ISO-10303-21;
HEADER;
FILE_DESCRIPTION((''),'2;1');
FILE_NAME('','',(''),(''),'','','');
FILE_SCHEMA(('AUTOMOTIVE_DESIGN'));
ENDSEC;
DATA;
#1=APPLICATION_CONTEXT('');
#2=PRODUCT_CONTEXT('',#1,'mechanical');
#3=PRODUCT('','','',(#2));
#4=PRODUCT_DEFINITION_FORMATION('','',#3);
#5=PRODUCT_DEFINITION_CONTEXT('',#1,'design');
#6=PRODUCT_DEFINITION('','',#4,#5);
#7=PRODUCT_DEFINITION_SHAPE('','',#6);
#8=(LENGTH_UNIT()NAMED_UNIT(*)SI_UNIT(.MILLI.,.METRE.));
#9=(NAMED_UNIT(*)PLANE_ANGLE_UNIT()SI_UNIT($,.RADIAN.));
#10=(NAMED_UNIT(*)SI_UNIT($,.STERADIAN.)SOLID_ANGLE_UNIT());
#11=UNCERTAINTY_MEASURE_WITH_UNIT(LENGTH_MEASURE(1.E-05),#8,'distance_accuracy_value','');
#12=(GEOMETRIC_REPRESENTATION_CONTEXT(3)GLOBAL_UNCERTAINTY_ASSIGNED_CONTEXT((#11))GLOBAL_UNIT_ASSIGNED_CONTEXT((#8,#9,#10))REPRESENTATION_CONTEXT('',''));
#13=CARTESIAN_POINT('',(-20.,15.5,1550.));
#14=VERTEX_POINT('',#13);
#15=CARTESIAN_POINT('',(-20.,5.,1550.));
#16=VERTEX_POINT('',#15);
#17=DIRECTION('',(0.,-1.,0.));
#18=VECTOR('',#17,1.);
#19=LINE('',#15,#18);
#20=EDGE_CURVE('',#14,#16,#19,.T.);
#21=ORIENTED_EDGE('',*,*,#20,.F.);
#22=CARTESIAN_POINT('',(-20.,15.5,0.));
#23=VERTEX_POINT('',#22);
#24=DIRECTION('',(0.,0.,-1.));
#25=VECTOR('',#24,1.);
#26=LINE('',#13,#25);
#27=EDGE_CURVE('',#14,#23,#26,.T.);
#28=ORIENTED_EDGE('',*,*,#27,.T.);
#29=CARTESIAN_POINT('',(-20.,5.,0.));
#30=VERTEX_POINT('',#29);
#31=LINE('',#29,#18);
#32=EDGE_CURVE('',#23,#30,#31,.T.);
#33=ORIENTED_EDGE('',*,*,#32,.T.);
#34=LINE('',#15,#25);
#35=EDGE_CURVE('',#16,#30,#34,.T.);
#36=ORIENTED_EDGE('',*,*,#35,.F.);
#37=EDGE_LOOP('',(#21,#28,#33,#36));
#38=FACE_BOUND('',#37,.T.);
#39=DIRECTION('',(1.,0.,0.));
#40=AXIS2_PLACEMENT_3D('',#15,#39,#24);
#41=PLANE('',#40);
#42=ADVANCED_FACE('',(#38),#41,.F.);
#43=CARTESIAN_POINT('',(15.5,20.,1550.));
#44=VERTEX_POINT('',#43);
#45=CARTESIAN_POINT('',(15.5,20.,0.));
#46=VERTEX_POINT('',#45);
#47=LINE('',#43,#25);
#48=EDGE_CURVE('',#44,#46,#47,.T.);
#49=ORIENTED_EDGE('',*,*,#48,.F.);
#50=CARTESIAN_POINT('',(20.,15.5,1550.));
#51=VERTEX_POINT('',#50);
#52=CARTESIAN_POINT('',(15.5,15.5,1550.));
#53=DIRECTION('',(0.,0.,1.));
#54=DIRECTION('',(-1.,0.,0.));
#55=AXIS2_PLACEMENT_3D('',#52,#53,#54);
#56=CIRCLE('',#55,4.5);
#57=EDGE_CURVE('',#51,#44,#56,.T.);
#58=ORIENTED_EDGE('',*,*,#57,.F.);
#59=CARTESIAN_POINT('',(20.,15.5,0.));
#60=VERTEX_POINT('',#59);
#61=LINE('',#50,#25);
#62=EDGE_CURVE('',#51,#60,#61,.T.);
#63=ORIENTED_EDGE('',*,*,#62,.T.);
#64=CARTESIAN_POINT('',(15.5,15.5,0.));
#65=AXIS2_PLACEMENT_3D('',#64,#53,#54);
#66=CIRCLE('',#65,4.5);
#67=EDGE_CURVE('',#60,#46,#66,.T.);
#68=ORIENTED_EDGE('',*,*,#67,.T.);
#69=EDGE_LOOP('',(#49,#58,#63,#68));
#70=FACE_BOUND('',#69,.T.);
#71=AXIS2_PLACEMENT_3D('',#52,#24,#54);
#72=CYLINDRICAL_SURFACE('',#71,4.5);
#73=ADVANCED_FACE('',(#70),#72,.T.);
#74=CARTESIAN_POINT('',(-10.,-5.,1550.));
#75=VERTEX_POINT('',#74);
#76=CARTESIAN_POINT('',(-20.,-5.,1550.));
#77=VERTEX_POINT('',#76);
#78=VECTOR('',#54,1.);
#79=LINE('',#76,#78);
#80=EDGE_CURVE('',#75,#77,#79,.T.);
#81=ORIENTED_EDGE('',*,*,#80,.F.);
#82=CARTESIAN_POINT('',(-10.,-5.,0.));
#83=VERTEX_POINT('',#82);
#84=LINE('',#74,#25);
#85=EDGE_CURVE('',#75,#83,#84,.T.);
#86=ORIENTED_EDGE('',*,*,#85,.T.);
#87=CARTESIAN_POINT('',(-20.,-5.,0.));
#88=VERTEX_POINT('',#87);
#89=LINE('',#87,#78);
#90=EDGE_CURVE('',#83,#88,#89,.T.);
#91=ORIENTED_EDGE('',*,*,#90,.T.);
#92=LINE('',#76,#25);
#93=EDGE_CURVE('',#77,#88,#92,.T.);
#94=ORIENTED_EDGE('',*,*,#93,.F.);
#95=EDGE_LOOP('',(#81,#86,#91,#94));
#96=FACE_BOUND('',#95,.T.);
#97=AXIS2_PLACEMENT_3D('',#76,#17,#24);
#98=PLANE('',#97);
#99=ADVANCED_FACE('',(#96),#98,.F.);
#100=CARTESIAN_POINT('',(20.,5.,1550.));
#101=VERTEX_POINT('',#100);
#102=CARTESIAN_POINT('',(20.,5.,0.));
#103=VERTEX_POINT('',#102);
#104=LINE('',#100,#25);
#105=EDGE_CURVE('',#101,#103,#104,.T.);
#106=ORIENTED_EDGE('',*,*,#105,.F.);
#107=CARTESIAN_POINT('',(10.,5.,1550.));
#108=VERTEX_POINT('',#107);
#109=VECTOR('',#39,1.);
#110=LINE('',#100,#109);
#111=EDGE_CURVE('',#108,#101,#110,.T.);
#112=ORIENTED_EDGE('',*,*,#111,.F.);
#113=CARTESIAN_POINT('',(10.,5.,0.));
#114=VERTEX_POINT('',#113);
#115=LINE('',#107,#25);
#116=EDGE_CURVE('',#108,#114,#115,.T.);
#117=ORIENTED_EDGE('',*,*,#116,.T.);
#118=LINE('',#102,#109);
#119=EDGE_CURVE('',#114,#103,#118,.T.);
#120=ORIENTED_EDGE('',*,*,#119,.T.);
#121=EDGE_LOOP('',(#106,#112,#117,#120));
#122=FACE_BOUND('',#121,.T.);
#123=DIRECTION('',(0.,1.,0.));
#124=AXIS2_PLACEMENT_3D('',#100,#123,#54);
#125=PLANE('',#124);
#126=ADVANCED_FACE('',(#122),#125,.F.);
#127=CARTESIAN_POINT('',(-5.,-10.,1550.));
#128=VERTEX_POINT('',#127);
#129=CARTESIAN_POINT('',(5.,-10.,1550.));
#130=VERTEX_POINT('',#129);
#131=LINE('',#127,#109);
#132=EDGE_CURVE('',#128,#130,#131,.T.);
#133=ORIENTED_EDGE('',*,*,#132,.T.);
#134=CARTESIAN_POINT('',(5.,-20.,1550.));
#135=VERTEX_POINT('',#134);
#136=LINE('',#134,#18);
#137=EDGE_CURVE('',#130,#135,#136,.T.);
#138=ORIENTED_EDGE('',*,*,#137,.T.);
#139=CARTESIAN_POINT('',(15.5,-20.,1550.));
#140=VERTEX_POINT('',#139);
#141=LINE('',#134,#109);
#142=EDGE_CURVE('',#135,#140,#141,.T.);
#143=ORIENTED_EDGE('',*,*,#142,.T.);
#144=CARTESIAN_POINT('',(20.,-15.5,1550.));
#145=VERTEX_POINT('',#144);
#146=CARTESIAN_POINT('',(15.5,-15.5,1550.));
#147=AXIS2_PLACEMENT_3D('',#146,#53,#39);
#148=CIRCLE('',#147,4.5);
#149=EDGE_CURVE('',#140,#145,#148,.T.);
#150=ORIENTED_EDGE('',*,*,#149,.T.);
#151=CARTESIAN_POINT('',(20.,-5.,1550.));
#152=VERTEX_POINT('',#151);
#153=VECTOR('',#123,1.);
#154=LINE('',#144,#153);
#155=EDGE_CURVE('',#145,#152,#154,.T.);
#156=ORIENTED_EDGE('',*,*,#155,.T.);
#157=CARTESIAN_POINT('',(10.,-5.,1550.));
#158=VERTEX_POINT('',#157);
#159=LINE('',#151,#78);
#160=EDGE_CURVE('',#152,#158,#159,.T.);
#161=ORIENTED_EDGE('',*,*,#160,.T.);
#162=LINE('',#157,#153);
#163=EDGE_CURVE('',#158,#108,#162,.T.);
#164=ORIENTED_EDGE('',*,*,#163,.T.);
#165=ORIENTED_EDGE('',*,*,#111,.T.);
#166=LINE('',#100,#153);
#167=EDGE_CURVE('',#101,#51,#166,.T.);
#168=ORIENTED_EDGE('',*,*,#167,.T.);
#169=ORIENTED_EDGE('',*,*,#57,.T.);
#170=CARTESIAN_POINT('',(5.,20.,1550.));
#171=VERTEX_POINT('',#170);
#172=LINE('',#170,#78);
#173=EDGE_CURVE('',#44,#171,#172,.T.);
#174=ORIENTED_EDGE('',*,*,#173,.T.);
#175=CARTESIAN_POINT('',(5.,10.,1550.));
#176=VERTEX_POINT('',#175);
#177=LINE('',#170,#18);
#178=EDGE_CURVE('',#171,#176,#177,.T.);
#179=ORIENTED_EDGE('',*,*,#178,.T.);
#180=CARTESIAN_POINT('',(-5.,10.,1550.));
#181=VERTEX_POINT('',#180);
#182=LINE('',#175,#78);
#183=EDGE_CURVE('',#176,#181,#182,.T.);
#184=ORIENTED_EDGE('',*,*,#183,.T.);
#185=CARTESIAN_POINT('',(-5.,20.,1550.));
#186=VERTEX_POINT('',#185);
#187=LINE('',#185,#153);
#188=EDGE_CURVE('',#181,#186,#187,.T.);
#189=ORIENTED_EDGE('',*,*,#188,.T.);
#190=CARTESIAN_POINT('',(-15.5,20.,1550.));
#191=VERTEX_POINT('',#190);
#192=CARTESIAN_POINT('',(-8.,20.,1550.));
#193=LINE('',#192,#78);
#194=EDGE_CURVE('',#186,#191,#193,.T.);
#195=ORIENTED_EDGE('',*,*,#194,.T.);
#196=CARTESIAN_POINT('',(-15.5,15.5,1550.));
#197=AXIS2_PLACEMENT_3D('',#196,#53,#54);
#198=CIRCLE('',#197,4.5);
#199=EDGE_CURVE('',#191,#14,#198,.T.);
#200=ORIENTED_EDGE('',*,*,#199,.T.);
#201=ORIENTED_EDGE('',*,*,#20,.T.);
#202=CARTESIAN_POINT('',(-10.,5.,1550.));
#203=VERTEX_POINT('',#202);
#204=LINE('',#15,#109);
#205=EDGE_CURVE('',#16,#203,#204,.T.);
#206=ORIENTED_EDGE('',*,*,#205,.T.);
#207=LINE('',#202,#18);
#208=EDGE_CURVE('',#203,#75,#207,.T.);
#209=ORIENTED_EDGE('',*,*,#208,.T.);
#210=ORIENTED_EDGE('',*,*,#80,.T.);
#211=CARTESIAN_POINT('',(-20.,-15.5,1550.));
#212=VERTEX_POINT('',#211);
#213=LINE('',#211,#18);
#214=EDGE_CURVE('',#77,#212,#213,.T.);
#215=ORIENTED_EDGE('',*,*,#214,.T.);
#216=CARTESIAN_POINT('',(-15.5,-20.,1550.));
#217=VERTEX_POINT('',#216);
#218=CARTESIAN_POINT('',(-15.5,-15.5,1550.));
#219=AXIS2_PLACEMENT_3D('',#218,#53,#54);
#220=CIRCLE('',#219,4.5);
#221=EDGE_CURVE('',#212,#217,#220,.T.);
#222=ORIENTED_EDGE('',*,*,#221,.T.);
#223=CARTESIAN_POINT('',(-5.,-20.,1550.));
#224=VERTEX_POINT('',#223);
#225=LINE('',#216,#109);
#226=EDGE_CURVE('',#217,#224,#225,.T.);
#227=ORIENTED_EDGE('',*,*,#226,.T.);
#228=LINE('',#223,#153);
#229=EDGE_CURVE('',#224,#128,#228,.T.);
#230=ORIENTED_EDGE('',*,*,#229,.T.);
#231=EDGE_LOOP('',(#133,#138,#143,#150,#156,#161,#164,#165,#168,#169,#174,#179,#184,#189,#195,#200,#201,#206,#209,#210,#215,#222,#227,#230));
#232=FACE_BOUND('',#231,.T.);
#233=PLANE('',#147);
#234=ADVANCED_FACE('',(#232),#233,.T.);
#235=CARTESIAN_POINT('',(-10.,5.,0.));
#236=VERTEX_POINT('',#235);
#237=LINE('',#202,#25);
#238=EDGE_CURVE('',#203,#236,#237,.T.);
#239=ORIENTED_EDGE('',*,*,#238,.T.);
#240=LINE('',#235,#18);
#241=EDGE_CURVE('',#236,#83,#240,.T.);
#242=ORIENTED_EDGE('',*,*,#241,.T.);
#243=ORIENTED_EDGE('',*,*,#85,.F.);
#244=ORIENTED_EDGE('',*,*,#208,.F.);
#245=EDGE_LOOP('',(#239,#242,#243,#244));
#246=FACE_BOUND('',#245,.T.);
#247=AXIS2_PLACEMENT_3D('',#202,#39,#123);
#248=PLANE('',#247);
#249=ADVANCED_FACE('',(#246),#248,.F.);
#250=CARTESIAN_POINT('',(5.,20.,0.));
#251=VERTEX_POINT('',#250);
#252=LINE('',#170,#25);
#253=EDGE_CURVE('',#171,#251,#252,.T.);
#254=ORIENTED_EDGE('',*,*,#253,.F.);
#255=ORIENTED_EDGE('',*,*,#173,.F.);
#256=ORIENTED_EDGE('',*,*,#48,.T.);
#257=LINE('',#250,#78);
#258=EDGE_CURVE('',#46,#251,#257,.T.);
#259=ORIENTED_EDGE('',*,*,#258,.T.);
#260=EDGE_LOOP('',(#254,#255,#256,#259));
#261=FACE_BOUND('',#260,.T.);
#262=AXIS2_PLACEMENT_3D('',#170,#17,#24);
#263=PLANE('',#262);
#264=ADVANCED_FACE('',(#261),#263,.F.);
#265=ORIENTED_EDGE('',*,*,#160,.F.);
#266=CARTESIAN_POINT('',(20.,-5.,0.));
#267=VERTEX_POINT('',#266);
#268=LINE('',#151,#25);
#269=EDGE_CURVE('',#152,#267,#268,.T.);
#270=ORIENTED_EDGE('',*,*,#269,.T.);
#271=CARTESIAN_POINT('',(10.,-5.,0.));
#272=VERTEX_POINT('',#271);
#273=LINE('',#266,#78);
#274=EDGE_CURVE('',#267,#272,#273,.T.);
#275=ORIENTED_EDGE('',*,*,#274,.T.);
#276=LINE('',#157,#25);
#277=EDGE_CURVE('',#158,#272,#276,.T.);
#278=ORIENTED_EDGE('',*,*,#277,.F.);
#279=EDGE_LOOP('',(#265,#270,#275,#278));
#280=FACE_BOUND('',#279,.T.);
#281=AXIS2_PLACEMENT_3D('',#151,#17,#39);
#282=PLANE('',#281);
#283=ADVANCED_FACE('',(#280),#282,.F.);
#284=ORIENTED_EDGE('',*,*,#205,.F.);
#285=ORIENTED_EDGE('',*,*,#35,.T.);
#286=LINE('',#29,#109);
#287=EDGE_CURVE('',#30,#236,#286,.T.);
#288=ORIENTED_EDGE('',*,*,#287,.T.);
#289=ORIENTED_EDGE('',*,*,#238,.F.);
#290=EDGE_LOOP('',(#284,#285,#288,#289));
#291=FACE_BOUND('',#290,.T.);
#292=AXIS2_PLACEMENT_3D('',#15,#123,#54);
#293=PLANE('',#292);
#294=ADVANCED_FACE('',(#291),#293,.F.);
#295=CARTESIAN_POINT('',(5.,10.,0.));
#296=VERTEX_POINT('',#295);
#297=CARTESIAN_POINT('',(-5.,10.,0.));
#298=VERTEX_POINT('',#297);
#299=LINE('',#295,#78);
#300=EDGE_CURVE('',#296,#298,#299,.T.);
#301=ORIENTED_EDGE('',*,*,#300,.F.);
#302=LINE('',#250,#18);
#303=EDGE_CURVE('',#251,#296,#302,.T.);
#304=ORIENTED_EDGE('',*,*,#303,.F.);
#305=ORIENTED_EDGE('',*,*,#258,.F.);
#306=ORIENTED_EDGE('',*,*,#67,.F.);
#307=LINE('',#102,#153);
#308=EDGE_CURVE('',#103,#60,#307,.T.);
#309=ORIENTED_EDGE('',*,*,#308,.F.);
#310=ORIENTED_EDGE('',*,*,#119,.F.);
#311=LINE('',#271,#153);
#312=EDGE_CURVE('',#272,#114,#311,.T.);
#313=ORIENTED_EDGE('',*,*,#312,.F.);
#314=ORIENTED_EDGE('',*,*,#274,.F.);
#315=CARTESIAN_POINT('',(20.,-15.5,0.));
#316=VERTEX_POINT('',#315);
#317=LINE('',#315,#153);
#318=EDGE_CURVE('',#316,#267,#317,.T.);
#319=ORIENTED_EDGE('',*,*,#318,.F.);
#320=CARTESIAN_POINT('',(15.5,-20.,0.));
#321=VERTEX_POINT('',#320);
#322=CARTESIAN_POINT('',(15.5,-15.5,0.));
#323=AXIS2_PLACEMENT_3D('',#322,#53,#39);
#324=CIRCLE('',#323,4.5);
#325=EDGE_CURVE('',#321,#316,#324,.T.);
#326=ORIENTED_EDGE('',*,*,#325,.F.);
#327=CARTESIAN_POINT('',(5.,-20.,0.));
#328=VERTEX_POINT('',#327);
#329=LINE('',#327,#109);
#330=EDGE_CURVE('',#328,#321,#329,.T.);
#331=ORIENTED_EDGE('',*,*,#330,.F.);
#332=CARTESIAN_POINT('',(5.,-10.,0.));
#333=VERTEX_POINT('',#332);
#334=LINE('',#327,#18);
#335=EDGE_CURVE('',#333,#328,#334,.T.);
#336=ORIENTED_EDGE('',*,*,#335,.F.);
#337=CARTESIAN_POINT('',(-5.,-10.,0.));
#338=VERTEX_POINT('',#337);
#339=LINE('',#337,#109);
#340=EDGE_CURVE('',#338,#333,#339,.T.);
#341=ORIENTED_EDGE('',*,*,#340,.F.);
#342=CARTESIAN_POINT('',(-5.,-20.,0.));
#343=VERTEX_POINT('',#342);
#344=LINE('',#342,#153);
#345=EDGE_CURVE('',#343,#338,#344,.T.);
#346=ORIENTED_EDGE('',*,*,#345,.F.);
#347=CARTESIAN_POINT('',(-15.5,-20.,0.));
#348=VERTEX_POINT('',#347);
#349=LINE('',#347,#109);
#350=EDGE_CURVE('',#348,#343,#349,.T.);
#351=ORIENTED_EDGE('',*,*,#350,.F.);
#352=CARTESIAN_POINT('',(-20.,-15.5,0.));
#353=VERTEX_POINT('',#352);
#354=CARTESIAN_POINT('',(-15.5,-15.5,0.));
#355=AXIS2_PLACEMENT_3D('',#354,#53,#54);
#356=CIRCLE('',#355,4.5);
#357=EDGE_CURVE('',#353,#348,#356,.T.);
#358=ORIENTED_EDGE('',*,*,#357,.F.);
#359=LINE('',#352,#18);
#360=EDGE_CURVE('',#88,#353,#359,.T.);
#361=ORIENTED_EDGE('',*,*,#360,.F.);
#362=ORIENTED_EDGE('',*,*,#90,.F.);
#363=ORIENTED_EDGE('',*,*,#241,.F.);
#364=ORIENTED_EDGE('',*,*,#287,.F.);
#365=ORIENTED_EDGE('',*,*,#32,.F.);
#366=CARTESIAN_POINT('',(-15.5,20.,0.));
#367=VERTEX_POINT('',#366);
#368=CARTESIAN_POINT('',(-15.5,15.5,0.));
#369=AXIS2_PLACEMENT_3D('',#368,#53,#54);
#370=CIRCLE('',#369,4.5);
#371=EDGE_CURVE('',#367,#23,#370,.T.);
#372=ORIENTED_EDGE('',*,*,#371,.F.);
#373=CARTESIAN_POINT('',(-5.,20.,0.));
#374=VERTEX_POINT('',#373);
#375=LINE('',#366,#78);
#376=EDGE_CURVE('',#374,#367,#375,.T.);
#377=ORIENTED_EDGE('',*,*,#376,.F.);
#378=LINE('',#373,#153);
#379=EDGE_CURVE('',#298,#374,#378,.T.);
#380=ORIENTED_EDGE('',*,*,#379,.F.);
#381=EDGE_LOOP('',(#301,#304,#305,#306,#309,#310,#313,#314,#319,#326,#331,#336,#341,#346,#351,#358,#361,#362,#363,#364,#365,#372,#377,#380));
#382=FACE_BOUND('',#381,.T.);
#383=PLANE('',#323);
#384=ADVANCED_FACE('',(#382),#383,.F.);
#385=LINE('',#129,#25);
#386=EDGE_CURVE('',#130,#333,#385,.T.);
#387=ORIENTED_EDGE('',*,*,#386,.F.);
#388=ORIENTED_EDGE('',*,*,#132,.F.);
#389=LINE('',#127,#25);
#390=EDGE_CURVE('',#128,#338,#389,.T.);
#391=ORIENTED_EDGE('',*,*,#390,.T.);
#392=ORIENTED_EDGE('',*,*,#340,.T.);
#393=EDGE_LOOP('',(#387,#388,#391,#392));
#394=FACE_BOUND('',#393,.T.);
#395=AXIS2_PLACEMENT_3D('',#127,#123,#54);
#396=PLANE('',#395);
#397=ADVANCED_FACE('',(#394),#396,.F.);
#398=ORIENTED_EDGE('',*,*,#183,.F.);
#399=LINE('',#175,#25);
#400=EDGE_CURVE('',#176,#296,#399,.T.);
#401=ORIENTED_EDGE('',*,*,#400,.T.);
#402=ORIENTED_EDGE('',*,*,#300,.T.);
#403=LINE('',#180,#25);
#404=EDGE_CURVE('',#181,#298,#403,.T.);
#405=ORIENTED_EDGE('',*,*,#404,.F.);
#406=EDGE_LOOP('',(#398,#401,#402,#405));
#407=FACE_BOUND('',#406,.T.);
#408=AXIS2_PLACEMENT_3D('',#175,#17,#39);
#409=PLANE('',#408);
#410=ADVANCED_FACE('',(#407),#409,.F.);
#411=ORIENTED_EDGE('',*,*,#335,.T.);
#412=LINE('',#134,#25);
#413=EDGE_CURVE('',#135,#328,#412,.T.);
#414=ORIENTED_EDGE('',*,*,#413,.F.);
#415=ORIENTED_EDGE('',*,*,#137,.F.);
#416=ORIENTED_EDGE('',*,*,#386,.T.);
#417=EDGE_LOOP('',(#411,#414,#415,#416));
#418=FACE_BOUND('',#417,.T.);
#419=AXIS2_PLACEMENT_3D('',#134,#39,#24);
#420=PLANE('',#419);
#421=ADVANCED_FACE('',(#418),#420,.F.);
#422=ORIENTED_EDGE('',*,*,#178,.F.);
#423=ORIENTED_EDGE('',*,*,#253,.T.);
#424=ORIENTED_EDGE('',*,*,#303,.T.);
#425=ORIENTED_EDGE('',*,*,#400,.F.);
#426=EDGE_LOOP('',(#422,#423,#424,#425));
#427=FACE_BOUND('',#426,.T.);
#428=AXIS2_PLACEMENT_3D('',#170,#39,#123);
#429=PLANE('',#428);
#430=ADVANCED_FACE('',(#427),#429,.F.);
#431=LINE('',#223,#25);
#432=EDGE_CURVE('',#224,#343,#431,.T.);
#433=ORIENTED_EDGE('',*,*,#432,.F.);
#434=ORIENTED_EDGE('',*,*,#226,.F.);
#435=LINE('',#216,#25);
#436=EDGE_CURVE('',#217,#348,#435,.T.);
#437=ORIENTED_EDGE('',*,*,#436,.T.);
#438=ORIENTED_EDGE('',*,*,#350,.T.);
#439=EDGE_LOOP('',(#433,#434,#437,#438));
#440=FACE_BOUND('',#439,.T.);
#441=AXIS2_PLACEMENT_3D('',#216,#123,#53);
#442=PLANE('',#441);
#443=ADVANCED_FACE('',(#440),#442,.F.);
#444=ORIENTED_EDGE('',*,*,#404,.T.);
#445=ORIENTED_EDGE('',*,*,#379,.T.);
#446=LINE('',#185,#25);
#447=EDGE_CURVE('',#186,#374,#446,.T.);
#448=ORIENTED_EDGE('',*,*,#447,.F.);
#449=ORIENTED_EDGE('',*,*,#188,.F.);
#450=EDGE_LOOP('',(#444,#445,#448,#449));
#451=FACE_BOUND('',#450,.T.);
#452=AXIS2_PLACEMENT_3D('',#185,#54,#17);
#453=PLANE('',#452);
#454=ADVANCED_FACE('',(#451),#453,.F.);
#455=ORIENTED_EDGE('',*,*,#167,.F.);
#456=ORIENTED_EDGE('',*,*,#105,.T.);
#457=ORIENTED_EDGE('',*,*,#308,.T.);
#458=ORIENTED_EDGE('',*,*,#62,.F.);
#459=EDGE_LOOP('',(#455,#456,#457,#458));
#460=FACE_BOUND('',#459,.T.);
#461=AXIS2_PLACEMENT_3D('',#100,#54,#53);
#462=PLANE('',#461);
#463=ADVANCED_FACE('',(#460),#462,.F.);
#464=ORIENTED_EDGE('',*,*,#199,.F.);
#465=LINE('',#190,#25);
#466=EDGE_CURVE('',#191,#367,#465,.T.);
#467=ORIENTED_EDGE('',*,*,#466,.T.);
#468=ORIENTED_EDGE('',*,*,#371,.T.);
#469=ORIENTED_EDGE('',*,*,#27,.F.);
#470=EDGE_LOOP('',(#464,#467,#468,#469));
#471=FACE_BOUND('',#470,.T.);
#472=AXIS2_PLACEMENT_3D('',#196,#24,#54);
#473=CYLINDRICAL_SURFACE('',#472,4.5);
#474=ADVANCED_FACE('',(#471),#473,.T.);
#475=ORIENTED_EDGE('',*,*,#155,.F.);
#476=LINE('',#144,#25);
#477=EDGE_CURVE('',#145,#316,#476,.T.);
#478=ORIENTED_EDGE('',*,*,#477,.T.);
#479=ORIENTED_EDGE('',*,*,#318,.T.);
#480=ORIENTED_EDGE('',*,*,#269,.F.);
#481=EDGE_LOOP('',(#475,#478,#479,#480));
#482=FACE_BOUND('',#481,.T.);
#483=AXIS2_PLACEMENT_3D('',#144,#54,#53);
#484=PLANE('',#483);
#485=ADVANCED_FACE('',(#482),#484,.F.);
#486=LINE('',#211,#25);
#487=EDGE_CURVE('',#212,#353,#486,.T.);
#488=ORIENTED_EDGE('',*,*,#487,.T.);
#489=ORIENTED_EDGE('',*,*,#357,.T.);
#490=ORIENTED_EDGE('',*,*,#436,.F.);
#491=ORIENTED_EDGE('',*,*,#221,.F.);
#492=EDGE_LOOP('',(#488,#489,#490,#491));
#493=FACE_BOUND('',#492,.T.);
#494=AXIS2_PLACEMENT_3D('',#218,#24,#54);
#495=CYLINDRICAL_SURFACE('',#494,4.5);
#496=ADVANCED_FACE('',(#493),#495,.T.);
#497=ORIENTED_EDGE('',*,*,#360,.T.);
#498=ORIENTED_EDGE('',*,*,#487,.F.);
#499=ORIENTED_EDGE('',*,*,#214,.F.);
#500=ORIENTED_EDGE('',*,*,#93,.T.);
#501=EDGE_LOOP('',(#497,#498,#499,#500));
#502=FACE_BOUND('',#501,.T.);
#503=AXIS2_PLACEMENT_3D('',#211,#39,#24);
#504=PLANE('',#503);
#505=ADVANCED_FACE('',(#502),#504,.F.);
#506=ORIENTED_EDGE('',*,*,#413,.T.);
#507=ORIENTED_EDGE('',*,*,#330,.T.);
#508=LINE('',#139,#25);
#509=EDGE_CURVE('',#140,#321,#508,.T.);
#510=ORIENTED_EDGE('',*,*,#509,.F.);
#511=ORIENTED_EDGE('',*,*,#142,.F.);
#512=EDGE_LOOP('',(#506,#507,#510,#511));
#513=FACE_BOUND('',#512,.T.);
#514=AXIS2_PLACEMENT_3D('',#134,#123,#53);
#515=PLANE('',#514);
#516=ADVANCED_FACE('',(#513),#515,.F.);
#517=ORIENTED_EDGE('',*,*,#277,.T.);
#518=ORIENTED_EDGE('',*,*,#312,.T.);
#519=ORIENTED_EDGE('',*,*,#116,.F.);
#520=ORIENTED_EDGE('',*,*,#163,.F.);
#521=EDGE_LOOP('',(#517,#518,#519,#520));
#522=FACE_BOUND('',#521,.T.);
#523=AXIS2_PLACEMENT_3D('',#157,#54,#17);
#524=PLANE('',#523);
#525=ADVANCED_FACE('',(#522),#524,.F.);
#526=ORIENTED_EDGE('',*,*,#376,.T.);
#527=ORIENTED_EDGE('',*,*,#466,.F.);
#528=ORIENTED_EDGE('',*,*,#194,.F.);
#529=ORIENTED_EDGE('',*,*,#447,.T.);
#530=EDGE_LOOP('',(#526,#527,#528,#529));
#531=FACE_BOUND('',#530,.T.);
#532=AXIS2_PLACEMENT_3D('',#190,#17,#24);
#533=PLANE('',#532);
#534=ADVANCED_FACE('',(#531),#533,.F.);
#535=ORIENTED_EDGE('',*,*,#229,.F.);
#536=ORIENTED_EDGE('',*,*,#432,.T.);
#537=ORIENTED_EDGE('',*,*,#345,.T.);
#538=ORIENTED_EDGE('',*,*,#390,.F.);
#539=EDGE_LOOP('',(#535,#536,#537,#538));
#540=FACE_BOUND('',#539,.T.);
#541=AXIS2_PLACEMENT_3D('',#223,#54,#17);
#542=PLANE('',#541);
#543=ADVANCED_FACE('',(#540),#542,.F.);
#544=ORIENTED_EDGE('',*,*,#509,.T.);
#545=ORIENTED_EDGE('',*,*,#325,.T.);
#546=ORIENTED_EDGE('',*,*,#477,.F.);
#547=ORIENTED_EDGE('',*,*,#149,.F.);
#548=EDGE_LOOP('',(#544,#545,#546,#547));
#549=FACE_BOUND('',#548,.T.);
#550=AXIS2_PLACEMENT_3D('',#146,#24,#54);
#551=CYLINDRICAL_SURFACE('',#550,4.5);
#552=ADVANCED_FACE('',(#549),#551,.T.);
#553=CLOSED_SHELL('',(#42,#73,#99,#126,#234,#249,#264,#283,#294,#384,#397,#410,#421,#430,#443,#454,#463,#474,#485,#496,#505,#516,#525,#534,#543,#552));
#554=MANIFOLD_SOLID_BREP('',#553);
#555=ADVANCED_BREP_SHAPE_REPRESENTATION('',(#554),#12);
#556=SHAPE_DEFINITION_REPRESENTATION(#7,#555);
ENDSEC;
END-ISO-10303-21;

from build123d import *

# Parameters (mm, degrees)
BOSS_EXTRUDE1_DEPTH = 1550


with BuildPart() as part:
    # Sketch1 → Boss-Extrude1 (new body)
    with BuildSketch(Plane.XY):
        with BuildLine():
            Line((-15.5, -20), (-5, -20))
            Line((-5, -20), (-5, -10))
            Line((-5, -10), (5, -10))
            Line((5, -10), (5, -20))
            Line((5, -20), (15.5, -20))
            ThreePointArc((15.5, -20), (18.681980515, -18.681980515), (20, -15.5))
            Line((20, -15.5), (20, -5))
            Line((20, -5), (10, -5))
            Line((10, -5), (10, 5))
            Line((10, 5), (20, 5))
            Line((20, 5), (20, 15.5))
            ThreePointArc((20, 15.5), (18.681980515, 18.681980515), (15.5, 20))
            Line((15.5, 20), (5, 20))
            Line((5, 20), (5, 10))
            Line((5, 10), (-5, 10))
            Line((-5, 10), (-5, 20))
            Line((-5, 20), (-8, 20))
            Line((-8, 20), (-15, 20))
            Line((-15, 20), (-15.5, 20))
            ThreePointArc((-15.5, 20), (-18.681980515, 18.681980515), (-20, 15.5))
            Line((-20, 15.5), (-20, 5))
            Line((-20, 5), (-10, 5))
            Line((-10, 5), (-10, -5))
            Line((-10, -5), (-20, -5))
            Line((-20, -5), (-20, -15.5))
            ThreePointArc((-20, -15.5), (-18.681980515, -18.681980515), (-15.5, -20))
        make_face()
    extrude(amount=BOSS_EXTRUDE1_DEPTH)


solid = part.part
